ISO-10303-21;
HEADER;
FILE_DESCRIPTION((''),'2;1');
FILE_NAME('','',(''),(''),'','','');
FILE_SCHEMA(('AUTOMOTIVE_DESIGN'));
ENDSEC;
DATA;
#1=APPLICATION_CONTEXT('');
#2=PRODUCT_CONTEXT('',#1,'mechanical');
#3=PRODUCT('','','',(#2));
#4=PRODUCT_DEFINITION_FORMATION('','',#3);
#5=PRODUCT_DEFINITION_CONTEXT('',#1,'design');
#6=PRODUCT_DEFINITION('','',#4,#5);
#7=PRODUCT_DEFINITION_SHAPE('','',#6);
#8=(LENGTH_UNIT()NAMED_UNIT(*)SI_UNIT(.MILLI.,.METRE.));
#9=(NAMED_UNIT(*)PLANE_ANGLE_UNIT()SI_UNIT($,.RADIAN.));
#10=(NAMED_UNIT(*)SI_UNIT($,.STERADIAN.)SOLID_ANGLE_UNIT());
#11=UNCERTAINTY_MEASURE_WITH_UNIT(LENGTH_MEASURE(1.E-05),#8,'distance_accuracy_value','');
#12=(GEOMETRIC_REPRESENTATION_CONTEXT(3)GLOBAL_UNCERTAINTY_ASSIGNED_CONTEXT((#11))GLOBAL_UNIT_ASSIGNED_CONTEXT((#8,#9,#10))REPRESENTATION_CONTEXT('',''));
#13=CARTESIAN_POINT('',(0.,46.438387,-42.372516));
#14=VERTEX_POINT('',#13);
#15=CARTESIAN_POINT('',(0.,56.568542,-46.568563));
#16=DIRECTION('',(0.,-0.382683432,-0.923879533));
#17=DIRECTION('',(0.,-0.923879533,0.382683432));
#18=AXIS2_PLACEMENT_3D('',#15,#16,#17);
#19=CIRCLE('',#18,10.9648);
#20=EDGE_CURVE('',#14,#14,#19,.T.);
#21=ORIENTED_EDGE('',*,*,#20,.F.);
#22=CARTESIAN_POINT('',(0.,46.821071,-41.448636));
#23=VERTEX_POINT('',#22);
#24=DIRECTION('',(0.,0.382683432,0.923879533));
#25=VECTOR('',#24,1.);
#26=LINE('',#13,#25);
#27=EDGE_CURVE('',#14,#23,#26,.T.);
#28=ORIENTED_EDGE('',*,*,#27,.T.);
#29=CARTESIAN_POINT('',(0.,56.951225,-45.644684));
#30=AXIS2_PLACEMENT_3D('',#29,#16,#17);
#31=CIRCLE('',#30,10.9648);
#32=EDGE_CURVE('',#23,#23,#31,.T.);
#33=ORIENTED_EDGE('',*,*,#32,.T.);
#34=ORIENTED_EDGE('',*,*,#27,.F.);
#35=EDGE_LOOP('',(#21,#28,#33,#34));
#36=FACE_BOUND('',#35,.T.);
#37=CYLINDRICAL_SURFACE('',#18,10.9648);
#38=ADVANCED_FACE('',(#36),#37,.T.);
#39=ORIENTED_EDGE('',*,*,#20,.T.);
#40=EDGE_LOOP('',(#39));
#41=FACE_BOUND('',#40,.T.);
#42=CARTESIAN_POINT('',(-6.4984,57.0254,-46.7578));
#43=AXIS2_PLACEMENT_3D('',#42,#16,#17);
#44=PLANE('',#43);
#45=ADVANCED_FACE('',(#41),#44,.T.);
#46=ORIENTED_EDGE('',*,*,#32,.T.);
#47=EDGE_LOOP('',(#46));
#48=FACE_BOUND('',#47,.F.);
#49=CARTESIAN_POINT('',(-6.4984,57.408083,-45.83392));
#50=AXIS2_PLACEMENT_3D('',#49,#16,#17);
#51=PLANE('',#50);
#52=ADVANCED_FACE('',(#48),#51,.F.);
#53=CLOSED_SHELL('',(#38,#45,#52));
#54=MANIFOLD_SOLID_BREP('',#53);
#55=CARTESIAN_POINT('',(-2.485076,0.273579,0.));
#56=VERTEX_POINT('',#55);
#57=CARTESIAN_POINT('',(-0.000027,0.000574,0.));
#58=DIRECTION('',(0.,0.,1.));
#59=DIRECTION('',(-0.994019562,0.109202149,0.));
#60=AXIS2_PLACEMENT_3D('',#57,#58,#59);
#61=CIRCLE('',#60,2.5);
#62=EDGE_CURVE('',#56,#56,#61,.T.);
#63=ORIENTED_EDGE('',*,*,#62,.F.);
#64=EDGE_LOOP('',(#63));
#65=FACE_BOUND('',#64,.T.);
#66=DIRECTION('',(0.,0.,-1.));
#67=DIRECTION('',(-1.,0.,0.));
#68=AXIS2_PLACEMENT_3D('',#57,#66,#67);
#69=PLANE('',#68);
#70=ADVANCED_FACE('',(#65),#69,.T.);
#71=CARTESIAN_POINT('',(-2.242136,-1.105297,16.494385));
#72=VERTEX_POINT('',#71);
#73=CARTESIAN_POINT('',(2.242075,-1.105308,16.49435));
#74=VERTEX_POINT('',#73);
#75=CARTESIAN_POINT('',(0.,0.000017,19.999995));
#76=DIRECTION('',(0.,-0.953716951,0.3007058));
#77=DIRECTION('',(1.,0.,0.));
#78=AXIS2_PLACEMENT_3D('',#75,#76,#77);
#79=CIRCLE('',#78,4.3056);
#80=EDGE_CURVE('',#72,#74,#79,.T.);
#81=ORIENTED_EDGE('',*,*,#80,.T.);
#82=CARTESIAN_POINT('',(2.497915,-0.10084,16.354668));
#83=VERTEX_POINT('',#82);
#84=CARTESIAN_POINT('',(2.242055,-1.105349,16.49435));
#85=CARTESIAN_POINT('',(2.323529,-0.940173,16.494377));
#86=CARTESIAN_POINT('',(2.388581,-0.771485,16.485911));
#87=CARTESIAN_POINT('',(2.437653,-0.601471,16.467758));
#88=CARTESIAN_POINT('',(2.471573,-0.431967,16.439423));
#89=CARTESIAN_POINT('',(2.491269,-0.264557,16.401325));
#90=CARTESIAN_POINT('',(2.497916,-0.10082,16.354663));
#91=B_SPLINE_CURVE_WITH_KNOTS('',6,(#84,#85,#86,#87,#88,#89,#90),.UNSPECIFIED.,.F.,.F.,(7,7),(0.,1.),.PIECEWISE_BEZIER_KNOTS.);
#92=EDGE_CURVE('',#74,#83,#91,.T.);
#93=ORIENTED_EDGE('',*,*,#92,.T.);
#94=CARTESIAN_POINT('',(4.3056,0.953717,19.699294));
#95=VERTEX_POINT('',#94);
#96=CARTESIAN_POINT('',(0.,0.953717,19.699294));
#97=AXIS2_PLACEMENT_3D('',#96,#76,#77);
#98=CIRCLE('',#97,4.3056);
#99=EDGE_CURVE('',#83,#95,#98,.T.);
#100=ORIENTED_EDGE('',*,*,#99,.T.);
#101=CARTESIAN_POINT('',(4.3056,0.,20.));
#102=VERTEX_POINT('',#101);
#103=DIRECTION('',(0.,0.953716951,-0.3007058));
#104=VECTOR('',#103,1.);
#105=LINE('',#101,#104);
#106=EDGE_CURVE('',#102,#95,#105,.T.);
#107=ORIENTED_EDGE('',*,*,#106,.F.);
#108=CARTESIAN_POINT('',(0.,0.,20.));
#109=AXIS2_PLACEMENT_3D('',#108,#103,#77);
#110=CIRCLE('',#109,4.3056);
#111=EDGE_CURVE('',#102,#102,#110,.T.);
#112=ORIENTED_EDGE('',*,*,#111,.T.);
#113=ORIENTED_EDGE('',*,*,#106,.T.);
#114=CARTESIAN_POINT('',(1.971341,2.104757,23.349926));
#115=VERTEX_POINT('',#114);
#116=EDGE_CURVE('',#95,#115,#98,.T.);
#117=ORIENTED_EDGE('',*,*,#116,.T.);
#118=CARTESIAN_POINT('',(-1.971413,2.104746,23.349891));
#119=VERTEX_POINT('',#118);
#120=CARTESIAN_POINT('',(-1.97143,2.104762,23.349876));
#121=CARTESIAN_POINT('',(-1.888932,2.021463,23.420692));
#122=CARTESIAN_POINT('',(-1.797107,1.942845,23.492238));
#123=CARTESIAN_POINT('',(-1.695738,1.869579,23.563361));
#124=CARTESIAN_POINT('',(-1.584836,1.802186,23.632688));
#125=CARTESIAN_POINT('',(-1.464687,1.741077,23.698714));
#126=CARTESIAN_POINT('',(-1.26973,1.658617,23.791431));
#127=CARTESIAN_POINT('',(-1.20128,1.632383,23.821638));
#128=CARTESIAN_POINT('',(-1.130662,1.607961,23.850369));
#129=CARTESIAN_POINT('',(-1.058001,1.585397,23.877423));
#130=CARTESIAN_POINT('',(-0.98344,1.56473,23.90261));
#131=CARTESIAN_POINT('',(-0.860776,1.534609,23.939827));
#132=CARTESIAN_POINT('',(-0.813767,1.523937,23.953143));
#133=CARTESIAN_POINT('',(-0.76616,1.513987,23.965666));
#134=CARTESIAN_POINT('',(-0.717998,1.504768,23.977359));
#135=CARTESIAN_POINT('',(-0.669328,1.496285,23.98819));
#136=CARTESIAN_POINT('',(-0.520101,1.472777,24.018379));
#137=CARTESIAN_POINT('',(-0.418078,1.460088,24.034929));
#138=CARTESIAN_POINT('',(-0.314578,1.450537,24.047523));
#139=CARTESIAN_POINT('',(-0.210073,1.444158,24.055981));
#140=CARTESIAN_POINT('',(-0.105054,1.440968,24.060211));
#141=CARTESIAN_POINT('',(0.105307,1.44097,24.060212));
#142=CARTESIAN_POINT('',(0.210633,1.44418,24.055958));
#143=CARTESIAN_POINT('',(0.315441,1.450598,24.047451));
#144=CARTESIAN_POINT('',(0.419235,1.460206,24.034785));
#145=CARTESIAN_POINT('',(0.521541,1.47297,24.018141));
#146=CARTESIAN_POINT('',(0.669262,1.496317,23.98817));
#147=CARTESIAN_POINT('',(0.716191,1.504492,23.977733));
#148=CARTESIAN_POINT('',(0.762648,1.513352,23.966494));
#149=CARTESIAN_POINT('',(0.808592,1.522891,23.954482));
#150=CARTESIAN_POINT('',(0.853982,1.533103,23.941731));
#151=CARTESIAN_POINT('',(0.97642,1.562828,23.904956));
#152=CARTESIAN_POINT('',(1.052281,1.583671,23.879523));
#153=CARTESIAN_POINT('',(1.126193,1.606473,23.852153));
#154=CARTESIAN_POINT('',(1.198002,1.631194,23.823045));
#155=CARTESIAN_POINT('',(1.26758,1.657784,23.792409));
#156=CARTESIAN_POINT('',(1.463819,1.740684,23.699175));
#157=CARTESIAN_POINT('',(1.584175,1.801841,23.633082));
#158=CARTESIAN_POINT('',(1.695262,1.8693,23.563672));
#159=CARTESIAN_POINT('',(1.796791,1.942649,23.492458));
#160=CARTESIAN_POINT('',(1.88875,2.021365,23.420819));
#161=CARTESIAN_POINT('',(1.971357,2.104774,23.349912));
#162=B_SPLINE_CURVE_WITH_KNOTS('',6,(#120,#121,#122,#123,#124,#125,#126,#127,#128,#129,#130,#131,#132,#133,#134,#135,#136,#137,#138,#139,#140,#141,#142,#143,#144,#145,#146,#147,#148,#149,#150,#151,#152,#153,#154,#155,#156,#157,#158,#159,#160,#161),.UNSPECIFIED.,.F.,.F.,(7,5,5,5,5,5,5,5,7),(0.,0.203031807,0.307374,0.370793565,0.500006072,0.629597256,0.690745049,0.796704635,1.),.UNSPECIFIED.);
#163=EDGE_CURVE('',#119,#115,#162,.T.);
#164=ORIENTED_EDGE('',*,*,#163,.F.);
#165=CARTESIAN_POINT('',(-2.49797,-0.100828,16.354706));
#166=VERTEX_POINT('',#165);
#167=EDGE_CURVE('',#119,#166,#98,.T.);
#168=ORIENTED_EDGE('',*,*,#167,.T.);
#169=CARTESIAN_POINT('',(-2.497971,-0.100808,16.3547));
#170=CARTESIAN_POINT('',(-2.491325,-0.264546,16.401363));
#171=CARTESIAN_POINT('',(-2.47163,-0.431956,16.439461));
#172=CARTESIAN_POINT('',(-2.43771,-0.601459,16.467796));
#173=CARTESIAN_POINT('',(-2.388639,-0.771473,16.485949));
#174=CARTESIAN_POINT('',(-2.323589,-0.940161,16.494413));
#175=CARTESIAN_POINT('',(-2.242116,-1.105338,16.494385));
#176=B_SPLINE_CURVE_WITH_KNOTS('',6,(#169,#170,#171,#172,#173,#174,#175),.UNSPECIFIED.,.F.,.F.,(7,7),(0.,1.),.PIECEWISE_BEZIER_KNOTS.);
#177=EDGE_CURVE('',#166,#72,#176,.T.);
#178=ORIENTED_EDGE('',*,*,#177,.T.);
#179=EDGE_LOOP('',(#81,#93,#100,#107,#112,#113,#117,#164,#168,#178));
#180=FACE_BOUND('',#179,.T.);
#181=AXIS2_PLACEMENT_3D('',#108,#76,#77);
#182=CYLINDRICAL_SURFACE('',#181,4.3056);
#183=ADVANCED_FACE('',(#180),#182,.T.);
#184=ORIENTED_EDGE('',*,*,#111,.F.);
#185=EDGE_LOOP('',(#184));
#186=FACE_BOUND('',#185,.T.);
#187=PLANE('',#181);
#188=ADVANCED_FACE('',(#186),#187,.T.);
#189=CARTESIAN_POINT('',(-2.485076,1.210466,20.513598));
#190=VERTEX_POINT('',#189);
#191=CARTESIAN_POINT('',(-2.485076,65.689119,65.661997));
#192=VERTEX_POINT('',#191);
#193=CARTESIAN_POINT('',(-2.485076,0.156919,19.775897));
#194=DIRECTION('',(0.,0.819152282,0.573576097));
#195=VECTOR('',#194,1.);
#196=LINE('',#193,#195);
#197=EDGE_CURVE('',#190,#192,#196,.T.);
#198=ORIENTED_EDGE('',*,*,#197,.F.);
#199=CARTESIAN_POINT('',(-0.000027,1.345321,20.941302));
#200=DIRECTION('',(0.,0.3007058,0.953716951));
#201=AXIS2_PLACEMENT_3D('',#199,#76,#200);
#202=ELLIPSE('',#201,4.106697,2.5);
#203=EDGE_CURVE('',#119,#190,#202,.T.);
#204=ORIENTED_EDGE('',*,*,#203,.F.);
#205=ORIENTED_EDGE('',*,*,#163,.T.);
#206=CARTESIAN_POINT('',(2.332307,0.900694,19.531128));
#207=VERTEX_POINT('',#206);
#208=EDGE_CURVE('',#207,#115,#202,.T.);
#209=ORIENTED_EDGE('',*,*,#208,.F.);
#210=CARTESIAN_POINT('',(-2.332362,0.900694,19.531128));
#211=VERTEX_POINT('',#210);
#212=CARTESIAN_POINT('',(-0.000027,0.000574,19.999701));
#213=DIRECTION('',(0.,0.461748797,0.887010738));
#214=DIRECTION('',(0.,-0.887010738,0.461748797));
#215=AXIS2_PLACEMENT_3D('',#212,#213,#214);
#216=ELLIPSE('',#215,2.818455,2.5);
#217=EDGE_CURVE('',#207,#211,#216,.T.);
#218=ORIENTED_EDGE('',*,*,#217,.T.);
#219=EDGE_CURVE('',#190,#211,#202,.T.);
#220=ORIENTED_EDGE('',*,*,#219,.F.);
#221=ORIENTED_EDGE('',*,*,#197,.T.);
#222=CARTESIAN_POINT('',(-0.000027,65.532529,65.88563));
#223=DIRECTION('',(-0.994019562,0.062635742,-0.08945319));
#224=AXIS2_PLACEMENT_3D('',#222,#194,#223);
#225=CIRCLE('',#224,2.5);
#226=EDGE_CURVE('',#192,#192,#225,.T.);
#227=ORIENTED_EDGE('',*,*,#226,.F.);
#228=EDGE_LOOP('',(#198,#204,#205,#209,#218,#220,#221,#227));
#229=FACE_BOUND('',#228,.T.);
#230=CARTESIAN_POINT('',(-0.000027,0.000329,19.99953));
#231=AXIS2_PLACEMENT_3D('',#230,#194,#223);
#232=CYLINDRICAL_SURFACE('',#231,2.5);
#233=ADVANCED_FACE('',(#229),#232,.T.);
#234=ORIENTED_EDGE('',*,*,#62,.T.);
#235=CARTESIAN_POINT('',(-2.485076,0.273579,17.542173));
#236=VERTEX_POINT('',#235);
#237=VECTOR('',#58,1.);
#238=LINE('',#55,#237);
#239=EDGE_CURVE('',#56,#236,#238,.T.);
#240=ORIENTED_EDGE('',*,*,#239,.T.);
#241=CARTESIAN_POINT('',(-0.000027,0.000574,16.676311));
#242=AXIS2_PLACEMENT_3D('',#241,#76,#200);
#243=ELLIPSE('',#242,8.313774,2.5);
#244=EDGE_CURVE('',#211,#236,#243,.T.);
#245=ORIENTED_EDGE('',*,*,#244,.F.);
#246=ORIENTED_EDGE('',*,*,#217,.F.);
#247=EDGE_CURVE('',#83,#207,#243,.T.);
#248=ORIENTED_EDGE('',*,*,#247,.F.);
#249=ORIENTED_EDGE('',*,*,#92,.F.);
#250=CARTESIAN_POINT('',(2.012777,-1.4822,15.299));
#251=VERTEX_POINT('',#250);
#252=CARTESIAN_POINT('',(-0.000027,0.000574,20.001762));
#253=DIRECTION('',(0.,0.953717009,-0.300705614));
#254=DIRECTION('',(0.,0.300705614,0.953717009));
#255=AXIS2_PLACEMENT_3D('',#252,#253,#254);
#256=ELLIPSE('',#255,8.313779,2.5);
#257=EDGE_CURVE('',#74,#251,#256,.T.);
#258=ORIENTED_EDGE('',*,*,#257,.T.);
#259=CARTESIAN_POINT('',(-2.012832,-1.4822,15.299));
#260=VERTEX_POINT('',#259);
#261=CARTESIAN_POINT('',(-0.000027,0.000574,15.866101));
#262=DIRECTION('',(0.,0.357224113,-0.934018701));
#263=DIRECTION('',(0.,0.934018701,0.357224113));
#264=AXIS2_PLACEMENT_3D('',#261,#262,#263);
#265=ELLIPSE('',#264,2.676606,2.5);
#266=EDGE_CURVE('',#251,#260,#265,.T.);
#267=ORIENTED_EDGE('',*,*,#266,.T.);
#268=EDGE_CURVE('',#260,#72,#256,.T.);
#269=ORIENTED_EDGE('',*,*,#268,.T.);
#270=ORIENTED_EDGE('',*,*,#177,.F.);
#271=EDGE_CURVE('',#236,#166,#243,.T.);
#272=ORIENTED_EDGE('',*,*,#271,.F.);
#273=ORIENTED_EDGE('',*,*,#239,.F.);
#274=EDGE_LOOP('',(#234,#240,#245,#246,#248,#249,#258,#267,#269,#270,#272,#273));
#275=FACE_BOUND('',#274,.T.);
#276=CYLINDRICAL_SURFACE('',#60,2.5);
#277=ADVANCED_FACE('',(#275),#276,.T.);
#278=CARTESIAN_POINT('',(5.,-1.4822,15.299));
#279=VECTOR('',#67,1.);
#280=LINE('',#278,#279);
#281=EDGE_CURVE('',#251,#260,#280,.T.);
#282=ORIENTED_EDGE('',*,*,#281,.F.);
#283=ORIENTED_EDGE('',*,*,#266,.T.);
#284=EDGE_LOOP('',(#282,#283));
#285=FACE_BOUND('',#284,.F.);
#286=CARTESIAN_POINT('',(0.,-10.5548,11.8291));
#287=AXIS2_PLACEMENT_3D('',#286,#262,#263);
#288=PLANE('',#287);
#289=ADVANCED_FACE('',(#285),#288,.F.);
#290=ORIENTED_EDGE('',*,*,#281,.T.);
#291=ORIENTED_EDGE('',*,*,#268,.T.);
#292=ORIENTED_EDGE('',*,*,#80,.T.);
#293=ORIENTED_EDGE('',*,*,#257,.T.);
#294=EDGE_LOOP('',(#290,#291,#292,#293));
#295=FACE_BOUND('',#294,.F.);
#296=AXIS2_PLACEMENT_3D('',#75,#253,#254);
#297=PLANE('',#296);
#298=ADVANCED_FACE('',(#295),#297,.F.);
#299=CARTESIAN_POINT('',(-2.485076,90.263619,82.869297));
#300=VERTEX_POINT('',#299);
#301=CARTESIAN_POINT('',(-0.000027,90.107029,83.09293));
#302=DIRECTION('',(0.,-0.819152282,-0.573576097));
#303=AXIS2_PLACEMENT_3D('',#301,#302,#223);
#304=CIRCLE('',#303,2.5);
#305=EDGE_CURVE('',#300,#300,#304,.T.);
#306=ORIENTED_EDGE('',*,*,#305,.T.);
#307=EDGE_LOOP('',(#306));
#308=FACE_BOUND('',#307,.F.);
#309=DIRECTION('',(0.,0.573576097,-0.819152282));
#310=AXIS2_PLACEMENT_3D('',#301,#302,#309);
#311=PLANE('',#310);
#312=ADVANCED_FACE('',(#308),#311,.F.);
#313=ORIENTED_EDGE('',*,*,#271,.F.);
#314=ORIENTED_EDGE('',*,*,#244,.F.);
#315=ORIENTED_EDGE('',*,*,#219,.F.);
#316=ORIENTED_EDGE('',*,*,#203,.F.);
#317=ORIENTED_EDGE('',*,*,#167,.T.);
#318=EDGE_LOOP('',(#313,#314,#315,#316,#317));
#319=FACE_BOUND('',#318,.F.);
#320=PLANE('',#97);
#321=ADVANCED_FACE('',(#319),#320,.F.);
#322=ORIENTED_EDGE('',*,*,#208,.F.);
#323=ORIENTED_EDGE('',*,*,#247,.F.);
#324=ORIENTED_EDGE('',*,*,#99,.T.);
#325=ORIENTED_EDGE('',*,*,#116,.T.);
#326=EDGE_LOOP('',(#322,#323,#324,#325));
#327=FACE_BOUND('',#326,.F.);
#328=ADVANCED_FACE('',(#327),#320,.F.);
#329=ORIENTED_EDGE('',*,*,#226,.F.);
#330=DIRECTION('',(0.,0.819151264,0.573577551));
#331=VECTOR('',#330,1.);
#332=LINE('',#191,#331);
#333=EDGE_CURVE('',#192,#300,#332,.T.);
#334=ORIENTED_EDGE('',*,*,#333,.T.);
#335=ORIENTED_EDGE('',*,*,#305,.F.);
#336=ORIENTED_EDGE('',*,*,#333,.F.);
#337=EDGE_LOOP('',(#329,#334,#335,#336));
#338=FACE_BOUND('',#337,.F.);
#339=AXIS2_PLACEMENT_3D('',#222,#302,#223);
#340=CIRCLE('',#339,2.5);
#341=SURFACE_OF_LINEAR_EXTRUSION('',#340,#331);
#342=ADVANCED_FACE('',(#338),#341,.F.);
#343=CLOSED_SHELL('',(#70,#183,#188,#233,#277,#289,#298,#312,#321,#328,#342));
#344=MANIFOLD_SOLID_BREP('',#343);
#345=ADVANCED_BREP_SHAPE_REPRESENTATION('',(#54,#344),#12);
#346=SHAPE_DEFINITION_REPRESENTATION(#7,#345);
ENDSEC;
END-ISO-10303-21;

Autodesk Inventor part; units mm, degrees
ref_plane "YZ Plane" through (0, 0, 0) normal (1, 0, 0) x (0, 1, 0)
ref_plane "XZ Plane" through (0, 0, 0) normal (0, 1, 0) x (-1, 0, 0)
ref_plane "XY Plane" through (0, 0, 0) normal (0, 0, 1) x (1, 0, 0)
ref_plane "Work Plane4" through (0, 0, 10) normal (-0.994, 0.1092, 0) x (-0.1092, -0.994, 0)
ref_plane "Work Plane3" through (-40.2485, 19.0101, 10) normal (-0.994, 0.1092, 0) x (-0.1092, -0.994, 0)
sketch "Sketch1" plane through (0, 0, 10) normal (-1, 0, 0) x (0, -1, 0)
  line L0 (0, -10) -> (0, 10)
  line L1 (0, 10) -> (-65.5322, 55.8861)
  line L2 (-7.1094, 12.5876) -> (7.1094, 7.4124)
  line L3 (-65.5322, 55.8861) -> (-90.1067, 73.0934)
  dimension "d0" = 20
  dimension "d1" = 80
  dimension "d2" = 125
  dimension "d6" = 70
  dimension "d23" = 30
  dimension "d26" = 180
ref_plane "Work Plane9" through (-18.0552, 1.9841, 10) normal (0, 0, -1) x (-0.994, 0.1092, 0)
sketch "Sketch3" plane through (-18.0552, 1.9841, 10) normal (0, 0, -1) x (-0.994, 0.1092, 0)
  circle A0 centre (-18.1638, 0) radius 11.5 projected
  circle A1 centre (-18.1638, 0) radius 2.5
  point P0 (-18.1638, 0)
  dimension "d7" = 5
sweep "Sweep1" add profiles "Sketch3" path "Sketch1" path curves L0 L1 L3 contours A1
sketch "Sketch7" plane through (0, 0, 10) normal (-1, 0, 0) x (0, -1, 0)
  line L0 (0, 10) -> (0, 10) projected
  line L1 (0, 10) -> (0, 10) projected
  line L2 (2.5, -10) -> (-2.5, -10) projected
  line L3 (0, 0) -> (0, 0) projected
  line L4 (0, 0) -> (0, 0) projected
  line L5 (2.5, -10) -> (2.5, 0.7882) projected
  line L6 (-2.5, -10) -> (-2.5, -0.7882) projected
  line L7 (-2.5, -0.7882) -> (2.8679, 0.9042) projected
  line L8 (0, -10) -> (0, 10)
  line L9 (1.4822, 5.299) -> (-7.1718, 32.746)
  line L10 (-7.1718, 32.746) -> (17.2582, 19.3562)
  line L11 (17.2582, 19.3562) -> (10.5548, 1.8291)
  line L12 (10.5548, 1.8291) -> (1.4822, 5.299)
  line L13 (-48.3403, -54.2978) -> (-48.6823, -53.3019)
  line L14 (-73.7647, -67.98) -> (-66.6763, -71.8283)
  line L15 (-66.6763, -71.8283) -> (-47.7403, -64.4229)
  line L16 (-47.7403, -64.4229) -> (-48.3403, -54.2978)
  line L17 (-55.533, -59.0685) -> (-56.5685, -56.5685) projected
  line L18 (-48.6823, -53.3019) -> (-76.2479, -64.72)
  line L19 (-76.2479, -64.72) -> (-73.7647, -67.98)
  point P0 (-65.0552, -65.9873)
extrude "Extrusion4" cut sketch "Sketch7" along normal mid plane 10 contours L9 L10 L11 L12
sketch "Sketch8" plane through (0, 0, 20) normal (0, -0.9537, 0.3007) x (1, 0, 0)
  ellipse E0 centre (0, 0) end of major axis (0, 4.1067) minor radius 2.5 (2.5, 0) -> (-2.5, 0) ccw projected
  circle A0 centre (0, 0) radius 4.3056
  ellipse E1 centre (0, 0) end of major axis (0, -8.3138) minor radius 2.5 (2.0132, -4.9292) -> (2.5, 0) ccw projected
  ellipse E2 centre (0, 0) end of major axis (0, -8.3138) minor radius 2.5 (-2.5, 0) -> (-2.0132, -4.9292) ccw projected
  line L0 (-2.0132, -4.9292) -> (2.0132, -4.9292) projected
  point P0 (0, -9.5372)
extrude "Extrusion5" add sketch "Sketch8" against normal blind 1 contours E1 A0 E2 E0 | E0 E2 A0 E1
ref_plane "Work Plane10" through (-6.4984, 57.0254, -46.7578) normal (0, -0.3827, -0.9239) x (0, -0.9239, 0.3827)
sketch "Sketch9" plane through (-6.4984, 57.0254, -46.7578) normal (0, -0.3827, -0.9239) x (0, -0.9239, 0.3827)
  ellipse E0 centre (0.4945, -6.4984) end of major axis (-6.0383, -6.4984) minor radius 2.5 projected
  circle A0 centre (0.4945, -6.4984) radius 10.9648
  point P0 (70.578, -6.4984)
extrude "Extrusion6" add sketch "Sketch9" against normal blind 1 contours E0 | A0
ref_plane "Work Plane2" through (-1.6385, -14.9102, 10) normal (0, 0, 1) x (0.994, -0.1092, 0)
properties part number "cellSTORM_lightpath"
